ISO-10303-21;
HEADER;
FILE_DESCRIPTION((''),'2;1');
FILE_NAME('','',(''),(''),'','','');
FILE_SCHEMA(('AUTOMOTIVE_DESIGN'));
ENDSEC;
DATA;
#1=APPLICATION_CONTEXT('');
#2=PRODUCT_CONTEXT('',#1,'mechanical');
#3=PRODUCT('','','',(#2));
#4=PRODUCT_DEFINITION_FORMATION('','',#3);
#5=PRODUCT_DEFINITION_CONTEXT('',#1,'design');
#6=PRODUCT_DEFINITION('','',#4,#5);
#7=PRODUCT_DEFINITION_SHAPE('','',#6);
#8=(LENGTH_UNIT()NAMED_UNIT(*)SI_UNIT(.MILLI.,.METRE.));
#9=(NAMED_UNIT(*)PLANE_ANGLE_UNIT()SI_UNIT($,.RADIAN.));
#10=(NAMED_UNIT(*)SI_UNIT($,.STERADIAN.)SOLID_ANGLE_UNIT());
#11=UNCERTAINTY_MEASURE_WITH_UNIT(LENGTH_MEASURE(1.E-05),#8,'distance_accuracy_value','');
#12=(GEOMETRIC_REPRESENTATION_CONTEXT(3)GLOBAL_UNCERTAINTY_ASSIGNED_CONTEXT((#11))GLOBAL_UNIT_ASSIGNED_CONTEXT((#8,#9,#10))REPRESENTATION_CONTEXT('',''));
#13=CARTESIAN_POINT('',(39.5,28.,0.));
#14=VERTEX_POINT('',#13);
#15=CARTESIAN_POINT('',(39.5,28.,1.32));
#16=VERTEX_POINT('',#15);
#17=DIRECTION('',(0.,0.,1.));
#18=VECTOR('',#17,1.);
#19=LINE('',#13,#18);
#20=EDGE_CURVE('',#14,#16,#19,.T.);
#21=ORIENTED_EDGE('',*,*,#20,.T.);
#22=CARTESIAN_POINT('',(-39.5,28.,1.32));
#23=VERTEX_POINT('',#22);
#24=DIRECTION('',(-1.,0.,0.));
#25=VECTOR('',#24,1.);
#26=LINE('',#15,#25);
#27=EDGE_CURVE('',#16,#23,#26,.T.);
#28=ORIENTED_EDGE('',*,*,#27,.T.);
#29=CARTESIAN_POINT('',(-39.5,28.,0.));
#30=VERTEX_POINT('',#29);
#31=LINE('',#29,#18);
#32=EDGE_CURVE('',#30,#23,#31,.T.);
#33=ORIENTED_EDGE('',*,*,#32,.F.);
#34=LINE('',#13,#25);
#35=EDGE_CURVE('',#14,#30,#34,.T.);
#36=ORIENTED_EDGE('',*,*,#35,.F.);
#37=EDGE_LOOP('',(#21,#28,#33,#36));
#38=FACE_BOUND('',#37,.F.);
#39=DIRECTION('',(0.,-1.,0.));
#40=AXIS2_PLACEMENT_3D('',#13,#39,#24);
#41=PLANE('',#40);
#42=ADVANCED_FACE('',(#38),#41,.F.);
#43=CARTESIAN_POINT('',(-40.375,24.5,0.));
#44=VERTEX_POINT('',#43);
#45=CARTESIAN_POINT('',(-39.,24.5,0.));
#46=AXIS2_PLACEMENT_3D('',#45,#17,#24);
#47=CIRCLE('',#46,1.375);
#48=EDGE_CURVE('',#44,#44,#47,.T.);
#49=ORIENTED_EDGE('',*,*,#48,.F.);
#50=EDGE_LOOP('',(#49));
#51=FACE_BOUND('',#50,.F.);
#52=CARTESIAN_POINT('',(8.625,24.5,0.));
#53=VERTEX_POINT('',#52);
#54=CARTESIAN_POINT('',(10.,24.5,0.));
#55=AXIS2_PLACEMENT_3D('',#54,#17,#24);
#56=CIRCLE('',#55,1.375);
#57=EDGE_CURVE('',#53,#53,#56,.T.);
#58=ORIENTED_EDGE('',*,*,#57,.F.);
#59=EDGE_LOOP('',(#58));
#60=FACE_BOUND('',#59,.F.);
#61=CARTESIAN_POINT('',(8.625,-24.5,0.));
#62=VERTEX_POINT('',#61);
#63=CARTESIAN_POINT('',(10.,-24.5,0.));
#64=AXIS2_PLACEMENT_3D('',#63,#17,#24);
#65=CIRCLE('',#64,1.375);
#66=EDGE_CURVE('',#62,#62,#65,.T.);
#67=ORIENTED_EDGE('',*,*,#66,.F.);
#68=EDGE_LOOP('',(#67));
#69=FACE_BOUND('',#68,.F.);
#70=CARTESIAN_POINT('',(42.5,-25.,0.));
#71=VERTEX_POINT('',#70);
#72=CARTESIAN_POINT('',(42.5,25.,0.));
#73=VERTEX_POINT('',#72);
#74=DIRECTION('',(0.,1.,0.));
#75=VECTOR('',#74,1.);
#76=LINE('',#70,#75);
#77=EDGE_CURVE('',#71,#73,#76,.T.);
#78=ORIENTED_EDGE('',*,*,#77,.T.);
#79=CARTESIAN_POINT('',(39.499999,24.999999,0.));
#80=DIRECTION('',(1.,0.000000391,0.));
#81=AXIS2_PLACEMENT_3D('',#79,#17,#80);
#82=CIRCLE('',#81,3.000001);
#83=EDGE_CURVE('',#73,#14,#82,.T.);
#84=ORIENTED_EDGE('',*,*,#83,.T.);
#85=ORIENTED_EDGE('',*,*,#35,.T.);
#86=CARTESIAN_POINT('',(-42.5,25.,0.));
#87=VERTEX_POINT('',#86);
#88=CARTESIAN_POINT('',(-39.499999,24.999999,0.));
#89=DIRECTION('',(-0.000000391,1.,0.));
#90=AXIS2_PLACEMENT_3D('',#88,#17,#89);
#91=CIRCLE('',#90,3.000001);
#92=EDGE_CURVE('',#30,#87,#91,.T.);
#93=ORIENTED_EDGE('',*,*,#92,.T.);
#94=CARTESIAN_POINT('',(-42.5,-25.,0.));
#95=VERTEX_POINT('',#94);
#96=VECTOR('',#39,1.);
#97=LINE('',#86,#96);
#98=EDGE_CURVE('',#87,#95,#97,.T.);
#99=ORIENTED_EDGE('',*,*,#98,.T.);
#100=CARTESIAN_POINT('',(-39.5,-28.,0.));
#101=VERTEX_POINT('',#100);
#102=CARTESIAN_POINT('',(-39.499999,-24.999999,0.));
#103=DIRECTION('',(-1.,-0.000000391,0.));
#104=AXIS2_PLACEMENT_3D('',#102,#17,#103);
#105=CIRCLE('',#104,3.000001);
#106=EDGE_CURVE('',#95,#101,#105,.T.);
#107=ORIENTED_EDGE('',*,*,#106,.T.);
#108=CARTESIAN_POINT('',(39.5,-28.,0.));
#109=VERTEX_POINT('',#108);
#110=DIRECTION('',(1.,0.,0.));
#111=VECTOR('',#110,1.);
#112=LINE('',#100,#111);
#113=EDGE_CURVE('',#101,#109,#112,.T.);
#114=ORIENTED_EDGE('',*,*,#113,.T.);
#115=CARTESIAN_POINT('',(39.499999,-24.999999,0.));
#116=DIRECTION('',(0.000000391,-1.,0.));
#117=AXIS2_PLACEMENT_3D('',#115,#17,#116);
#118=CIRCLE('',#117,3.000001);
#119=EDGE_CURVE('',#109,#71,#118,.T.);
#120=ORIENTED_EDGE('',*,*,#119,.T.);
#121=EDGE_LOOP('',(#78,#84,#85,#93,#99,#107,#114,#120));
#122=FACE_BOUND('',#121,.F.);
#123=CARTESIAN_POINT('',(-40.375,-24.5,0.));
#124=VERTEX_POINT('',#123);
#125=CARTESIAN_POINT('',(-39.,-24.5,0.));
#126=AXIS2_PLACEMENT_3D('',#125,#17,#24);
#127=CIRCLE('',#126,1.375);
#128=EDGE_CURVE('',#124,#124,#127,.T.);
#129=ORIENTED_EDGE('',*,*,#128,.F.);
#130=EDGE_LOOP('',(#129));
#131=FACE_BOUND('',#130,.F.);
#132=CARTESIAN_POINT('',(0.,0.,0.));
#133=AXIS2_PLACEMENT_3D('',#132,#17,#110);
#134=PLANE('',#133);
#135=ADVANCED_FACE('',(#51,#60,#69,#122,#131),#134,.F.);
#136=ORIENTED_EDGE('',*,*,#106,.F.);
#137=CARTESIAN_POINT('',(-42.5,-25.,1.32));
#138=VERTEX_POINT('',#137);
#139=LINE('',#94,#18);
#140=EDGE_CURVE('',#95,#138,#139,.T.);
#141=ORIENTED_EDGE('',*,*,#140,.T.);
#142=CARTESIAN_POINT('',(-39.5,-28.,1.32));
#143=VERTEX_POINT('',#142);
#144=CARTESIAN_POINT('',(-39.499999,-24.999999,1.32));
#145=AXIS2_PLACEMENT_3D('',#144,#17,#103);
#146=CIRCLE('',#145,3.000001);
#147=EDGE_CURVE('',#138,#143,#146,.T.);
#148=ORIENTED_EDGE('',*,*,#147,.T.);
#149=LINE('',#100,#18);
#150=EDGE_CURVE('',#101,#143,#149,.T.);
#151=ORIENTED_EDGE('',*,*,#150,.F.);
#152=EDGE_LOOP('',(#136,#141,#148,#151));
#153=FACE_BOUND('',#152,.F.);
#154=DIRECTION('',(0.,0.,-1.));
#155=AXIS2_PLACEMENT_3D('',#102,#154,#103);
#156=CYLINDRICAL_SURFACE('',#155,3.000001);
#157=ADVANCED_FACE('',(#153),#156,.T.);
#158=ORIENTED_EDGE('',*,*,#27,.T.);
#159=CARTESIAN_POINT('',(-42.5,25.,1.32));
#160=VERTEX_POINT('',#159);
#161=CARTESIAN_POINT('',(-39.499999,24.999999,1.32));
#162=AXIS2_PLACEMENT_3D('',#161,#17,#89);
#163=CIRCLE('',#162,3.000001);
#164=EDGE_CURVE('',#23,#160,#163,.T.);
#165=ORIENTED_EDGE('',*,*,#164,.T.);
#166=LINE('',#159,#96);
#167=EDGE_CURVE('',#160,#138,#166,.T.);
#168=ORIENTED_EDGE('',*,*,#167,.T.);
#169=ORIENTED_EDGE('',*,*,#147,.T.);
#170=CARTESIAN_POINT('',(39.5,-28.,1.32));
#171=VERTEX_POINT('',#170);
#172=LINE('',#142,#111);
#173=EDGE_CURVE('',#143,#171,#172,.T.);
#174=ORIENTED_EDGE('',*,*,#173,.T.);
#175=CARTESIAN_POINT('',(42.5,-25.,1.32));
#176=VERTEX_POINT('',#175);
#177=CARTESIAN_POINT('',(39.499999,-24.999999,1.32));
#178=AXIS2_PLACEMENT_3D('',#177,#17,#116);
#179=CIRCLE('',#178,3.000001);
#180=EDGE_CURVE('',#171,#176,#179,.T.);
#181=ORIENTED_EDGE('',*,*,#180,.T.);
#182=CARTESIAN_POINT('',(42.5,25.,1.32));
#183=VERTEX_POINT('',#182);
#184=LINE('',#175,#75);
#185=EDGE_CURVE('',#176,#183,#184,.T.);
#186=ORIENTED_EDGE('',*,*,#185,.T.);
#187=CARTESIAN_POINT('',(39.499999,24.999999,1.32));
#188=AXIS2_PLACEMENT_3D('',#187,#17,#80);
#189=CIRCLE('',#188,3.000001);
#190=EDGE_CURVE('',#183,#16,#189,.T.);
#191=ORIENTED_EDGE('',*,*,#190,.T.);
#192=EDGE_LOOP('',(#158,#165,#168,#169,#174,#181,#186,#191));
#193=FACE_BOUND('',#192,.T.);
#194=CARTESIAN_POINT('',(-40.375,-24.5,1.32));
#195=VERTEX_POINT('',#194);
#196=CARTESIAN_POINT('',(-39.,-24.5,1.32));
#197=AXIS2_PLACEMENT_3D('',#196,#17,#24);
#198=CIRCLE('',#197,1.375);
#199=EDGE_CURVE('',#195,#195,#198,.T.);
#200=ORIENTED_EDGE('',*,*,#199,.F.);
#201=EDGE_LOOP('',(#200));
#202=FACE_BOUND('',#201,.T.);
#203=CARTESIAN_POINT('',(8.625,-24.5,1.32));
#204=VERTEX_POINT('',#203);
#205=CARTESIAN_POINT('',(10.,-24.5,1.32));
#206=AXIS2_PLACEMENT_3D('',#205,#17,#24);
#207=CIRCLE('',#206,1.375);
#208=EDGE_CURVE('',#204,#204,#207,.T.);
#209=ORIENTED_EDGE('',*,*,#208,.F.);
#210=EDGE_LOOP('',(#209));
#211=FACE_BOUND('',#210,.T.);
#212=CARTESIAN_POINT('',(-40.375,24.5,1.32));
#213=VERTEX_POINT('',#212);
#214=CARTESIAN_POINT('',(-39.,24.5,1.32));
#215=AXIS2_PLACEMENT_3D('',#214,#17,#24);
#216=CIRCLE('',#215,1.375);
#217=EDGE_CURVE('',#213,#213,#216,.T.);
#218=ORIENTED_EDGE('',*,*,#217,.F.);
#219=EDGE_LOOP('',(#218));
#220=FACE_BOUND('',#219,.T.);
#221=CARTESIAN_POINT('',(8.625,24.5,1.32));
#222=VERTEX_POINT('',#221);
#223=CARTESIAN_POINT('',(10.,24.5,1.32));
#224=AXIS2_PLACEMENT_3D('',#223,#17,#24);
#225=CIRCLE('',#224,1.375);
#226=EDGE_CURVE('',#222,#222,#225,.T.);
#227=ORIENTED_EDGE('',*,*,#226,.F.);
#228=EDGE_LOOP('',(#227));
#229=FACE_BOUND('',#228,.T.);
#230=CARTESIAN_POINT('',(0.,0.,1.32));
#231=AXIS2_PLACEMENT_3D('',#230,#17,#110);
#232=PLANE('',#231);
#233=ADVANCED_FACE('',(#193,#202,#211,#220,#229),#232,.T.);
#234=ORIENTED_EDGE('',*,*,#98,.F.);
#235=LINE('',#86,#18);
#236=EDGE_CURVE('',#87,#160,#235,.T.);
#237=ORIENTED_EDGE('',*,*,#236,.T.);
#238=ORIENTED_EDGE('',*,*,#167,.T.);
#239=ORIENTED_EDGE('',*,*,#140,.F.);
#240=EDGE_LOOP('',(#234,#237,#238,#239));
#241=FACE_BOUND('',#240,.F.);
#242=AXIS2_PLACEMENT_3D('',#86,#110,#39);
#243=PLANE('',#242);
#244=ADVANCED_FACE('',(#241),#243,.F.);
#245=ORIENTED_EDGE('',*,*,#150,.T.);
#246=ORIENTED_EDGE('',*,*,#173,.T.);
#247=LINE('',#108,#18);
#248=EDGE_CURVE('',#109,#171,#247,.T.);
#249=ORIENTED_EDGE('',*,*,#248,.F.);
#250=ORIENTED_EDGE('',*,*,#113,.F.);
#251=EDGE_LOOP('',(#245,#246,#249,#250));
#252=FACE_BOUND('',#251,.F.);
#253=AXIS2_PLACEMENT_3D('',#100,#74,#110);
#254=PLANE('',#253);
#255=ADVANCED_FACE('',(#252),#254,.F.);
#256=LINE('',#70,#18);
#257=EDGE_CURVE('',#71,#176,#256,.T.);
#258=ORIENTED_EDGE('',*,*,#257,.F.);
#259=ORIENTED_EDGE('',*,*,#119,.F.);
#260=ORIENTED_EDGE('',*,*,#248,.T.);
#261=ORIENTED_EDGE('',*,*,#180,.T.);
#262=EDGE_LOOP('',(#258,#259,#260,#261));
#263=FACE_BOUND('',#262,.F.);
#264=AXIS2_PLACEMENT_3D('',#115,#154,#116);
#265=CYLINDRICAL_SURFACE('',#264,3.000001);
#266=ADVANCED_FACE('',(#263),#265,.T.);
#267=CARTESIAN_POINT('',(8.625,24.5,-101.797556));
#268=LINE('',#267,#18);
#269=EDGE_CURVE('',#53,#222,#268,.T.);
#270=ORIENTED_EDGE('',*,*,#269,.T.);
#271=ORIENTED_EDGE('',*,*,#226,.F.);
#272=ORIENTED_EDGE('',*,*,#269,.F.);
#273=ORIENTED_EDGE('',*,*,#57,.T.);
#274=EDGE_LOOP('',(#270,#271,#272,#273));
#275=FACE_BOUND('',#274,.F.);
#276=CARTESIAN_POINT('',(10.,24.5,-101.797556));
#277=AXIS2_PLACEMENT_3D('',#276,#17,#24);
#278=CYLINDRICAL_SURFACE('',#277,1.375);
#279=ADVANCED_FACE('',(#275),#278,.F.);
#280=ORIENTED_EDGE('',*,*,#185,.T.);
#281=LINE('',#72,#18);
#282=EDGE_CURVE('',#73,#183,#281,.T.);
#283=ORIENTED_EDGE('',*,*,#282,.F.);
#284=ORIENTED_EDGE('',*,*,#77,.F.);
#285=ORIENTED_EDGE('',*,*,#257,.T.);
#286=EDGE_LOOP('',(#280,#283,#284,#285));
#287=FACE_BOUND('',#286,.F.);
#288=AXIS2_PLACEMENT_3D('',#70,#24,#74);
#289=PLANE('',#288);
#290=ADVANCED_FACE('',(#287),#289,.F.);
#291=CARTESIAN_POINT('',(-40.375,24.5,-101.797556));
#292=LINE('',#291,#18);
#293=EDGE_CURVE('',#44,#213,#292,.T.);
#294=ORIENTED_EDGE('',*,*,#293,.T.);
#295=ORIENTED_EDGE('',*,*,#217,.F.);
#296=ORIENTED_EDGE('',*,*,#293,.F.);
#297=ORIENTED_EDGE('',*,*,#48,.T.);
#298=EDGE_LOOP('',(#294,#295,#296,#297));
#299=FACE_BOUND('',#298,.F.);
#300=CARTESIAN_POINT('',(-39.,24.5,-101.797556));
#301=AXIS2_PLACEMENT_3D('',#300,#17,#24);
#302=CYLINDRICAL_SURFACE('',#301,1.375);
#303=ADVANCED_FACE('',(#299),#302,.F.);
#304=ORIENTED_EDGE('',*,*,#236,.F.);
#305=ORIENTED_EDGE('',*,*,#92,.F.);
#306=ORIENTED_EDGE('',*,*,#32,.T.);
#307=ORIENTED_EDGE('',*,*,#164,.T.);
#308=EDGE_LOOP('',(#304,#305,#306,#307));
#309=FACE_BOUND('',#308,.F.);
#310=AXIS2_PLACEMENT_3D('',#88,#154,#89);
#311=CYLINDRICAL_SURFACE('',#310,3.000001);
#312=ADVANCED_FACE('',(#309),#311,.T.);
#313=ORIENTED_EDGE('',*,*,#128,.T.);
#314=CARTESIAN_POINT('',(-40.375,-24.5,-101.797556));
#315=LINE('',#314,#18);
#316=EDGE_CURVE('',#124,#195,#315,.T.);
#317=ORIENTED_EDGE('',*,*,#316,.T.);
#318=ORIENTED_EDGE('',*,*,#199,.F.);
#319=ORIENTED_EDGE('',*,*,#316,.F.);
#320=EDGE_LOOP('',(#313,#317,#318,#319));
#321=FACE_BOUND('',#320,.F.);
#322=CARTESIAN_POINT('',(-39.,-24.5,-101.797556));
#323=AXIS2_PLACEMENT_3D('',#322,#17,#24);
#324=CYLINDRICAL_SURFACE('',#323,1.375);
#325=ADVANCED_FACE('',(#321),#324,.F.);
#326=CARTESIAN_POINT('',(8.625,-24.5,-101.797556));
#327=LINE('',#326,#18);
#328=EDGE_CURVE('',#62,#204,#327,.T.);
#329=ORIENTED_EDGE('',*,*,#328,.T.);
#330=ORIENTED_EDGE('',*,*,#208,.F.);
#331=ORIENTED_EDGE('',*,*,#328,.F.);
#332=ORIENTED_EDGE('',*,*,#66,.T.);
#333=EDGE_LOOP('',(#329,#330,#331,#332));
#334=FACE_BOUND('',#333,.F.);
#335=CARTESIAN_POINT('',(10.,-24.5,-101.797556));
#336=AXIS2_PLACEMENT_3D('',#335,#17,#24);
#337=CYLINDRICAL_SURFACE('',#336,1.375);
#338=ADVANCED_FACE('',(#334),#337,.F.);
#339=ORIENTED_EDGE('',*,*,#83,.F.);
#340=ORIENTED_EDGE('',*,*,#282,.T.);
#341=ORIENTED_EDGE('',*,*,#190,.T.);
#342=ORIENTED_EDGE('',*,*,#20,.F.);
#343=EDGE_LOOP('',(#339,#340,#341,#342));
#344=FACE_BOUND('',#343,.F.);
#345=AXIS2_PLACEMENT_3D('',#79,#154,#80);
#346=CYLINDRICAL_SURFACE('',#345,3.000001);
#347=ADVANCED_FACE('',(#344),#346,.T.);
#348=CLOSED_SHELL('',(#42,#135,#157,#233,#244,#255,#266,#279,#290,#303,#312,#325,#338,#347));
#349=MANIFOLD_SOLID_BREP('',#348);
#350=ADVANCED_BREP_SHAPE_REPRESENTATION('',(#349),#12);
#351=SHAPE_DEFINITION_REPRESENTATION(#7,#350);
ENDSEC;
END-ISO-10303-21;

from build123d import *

# Parameters (mm, degrees)
F1_DEPTH = 1.32
F2_D     = 2.75


with BuildPart() as f1:
    # F0 (on Top) → F1 (new body)
    with BuildSketch(Plane.XY):
        with BuildLine():
            ThreePointArc((42.5, 25), (41.62132, 27.12132), (39.5, 28))
            Line((39.5, 28), (-39.5, 28))
            ThreePointArc((-39.5, 28), (-41.62132, 27.12132), (-42.5, 25))
            Line((-42.5, 25), (-42.5, -25))
            ThreePointArc((-42.5, -25), (-41.62132, -27.12132), (-39.5, -28))
            Line((-39.5, -28), (39.5, -28))
            ThreePointArc((39.5, -28), (41.62132, -27.12132), (42.5, -25))
            Line((42.5, -25), (42.5, 25))
        make_face()
    extrude(amount=F1_DEPTH)

    # F2 (through all)
    with Locations(Plane(origin=(0, 0, 0), x_dir=(1, 0, 0), z_dir=(0, 0, -1))):
        with Locations((-39, 24.5), (10, 24.5), (10, -24.5), (-39, -24.5)):
            Hole(F2_D / 2)


solid = f1.part
